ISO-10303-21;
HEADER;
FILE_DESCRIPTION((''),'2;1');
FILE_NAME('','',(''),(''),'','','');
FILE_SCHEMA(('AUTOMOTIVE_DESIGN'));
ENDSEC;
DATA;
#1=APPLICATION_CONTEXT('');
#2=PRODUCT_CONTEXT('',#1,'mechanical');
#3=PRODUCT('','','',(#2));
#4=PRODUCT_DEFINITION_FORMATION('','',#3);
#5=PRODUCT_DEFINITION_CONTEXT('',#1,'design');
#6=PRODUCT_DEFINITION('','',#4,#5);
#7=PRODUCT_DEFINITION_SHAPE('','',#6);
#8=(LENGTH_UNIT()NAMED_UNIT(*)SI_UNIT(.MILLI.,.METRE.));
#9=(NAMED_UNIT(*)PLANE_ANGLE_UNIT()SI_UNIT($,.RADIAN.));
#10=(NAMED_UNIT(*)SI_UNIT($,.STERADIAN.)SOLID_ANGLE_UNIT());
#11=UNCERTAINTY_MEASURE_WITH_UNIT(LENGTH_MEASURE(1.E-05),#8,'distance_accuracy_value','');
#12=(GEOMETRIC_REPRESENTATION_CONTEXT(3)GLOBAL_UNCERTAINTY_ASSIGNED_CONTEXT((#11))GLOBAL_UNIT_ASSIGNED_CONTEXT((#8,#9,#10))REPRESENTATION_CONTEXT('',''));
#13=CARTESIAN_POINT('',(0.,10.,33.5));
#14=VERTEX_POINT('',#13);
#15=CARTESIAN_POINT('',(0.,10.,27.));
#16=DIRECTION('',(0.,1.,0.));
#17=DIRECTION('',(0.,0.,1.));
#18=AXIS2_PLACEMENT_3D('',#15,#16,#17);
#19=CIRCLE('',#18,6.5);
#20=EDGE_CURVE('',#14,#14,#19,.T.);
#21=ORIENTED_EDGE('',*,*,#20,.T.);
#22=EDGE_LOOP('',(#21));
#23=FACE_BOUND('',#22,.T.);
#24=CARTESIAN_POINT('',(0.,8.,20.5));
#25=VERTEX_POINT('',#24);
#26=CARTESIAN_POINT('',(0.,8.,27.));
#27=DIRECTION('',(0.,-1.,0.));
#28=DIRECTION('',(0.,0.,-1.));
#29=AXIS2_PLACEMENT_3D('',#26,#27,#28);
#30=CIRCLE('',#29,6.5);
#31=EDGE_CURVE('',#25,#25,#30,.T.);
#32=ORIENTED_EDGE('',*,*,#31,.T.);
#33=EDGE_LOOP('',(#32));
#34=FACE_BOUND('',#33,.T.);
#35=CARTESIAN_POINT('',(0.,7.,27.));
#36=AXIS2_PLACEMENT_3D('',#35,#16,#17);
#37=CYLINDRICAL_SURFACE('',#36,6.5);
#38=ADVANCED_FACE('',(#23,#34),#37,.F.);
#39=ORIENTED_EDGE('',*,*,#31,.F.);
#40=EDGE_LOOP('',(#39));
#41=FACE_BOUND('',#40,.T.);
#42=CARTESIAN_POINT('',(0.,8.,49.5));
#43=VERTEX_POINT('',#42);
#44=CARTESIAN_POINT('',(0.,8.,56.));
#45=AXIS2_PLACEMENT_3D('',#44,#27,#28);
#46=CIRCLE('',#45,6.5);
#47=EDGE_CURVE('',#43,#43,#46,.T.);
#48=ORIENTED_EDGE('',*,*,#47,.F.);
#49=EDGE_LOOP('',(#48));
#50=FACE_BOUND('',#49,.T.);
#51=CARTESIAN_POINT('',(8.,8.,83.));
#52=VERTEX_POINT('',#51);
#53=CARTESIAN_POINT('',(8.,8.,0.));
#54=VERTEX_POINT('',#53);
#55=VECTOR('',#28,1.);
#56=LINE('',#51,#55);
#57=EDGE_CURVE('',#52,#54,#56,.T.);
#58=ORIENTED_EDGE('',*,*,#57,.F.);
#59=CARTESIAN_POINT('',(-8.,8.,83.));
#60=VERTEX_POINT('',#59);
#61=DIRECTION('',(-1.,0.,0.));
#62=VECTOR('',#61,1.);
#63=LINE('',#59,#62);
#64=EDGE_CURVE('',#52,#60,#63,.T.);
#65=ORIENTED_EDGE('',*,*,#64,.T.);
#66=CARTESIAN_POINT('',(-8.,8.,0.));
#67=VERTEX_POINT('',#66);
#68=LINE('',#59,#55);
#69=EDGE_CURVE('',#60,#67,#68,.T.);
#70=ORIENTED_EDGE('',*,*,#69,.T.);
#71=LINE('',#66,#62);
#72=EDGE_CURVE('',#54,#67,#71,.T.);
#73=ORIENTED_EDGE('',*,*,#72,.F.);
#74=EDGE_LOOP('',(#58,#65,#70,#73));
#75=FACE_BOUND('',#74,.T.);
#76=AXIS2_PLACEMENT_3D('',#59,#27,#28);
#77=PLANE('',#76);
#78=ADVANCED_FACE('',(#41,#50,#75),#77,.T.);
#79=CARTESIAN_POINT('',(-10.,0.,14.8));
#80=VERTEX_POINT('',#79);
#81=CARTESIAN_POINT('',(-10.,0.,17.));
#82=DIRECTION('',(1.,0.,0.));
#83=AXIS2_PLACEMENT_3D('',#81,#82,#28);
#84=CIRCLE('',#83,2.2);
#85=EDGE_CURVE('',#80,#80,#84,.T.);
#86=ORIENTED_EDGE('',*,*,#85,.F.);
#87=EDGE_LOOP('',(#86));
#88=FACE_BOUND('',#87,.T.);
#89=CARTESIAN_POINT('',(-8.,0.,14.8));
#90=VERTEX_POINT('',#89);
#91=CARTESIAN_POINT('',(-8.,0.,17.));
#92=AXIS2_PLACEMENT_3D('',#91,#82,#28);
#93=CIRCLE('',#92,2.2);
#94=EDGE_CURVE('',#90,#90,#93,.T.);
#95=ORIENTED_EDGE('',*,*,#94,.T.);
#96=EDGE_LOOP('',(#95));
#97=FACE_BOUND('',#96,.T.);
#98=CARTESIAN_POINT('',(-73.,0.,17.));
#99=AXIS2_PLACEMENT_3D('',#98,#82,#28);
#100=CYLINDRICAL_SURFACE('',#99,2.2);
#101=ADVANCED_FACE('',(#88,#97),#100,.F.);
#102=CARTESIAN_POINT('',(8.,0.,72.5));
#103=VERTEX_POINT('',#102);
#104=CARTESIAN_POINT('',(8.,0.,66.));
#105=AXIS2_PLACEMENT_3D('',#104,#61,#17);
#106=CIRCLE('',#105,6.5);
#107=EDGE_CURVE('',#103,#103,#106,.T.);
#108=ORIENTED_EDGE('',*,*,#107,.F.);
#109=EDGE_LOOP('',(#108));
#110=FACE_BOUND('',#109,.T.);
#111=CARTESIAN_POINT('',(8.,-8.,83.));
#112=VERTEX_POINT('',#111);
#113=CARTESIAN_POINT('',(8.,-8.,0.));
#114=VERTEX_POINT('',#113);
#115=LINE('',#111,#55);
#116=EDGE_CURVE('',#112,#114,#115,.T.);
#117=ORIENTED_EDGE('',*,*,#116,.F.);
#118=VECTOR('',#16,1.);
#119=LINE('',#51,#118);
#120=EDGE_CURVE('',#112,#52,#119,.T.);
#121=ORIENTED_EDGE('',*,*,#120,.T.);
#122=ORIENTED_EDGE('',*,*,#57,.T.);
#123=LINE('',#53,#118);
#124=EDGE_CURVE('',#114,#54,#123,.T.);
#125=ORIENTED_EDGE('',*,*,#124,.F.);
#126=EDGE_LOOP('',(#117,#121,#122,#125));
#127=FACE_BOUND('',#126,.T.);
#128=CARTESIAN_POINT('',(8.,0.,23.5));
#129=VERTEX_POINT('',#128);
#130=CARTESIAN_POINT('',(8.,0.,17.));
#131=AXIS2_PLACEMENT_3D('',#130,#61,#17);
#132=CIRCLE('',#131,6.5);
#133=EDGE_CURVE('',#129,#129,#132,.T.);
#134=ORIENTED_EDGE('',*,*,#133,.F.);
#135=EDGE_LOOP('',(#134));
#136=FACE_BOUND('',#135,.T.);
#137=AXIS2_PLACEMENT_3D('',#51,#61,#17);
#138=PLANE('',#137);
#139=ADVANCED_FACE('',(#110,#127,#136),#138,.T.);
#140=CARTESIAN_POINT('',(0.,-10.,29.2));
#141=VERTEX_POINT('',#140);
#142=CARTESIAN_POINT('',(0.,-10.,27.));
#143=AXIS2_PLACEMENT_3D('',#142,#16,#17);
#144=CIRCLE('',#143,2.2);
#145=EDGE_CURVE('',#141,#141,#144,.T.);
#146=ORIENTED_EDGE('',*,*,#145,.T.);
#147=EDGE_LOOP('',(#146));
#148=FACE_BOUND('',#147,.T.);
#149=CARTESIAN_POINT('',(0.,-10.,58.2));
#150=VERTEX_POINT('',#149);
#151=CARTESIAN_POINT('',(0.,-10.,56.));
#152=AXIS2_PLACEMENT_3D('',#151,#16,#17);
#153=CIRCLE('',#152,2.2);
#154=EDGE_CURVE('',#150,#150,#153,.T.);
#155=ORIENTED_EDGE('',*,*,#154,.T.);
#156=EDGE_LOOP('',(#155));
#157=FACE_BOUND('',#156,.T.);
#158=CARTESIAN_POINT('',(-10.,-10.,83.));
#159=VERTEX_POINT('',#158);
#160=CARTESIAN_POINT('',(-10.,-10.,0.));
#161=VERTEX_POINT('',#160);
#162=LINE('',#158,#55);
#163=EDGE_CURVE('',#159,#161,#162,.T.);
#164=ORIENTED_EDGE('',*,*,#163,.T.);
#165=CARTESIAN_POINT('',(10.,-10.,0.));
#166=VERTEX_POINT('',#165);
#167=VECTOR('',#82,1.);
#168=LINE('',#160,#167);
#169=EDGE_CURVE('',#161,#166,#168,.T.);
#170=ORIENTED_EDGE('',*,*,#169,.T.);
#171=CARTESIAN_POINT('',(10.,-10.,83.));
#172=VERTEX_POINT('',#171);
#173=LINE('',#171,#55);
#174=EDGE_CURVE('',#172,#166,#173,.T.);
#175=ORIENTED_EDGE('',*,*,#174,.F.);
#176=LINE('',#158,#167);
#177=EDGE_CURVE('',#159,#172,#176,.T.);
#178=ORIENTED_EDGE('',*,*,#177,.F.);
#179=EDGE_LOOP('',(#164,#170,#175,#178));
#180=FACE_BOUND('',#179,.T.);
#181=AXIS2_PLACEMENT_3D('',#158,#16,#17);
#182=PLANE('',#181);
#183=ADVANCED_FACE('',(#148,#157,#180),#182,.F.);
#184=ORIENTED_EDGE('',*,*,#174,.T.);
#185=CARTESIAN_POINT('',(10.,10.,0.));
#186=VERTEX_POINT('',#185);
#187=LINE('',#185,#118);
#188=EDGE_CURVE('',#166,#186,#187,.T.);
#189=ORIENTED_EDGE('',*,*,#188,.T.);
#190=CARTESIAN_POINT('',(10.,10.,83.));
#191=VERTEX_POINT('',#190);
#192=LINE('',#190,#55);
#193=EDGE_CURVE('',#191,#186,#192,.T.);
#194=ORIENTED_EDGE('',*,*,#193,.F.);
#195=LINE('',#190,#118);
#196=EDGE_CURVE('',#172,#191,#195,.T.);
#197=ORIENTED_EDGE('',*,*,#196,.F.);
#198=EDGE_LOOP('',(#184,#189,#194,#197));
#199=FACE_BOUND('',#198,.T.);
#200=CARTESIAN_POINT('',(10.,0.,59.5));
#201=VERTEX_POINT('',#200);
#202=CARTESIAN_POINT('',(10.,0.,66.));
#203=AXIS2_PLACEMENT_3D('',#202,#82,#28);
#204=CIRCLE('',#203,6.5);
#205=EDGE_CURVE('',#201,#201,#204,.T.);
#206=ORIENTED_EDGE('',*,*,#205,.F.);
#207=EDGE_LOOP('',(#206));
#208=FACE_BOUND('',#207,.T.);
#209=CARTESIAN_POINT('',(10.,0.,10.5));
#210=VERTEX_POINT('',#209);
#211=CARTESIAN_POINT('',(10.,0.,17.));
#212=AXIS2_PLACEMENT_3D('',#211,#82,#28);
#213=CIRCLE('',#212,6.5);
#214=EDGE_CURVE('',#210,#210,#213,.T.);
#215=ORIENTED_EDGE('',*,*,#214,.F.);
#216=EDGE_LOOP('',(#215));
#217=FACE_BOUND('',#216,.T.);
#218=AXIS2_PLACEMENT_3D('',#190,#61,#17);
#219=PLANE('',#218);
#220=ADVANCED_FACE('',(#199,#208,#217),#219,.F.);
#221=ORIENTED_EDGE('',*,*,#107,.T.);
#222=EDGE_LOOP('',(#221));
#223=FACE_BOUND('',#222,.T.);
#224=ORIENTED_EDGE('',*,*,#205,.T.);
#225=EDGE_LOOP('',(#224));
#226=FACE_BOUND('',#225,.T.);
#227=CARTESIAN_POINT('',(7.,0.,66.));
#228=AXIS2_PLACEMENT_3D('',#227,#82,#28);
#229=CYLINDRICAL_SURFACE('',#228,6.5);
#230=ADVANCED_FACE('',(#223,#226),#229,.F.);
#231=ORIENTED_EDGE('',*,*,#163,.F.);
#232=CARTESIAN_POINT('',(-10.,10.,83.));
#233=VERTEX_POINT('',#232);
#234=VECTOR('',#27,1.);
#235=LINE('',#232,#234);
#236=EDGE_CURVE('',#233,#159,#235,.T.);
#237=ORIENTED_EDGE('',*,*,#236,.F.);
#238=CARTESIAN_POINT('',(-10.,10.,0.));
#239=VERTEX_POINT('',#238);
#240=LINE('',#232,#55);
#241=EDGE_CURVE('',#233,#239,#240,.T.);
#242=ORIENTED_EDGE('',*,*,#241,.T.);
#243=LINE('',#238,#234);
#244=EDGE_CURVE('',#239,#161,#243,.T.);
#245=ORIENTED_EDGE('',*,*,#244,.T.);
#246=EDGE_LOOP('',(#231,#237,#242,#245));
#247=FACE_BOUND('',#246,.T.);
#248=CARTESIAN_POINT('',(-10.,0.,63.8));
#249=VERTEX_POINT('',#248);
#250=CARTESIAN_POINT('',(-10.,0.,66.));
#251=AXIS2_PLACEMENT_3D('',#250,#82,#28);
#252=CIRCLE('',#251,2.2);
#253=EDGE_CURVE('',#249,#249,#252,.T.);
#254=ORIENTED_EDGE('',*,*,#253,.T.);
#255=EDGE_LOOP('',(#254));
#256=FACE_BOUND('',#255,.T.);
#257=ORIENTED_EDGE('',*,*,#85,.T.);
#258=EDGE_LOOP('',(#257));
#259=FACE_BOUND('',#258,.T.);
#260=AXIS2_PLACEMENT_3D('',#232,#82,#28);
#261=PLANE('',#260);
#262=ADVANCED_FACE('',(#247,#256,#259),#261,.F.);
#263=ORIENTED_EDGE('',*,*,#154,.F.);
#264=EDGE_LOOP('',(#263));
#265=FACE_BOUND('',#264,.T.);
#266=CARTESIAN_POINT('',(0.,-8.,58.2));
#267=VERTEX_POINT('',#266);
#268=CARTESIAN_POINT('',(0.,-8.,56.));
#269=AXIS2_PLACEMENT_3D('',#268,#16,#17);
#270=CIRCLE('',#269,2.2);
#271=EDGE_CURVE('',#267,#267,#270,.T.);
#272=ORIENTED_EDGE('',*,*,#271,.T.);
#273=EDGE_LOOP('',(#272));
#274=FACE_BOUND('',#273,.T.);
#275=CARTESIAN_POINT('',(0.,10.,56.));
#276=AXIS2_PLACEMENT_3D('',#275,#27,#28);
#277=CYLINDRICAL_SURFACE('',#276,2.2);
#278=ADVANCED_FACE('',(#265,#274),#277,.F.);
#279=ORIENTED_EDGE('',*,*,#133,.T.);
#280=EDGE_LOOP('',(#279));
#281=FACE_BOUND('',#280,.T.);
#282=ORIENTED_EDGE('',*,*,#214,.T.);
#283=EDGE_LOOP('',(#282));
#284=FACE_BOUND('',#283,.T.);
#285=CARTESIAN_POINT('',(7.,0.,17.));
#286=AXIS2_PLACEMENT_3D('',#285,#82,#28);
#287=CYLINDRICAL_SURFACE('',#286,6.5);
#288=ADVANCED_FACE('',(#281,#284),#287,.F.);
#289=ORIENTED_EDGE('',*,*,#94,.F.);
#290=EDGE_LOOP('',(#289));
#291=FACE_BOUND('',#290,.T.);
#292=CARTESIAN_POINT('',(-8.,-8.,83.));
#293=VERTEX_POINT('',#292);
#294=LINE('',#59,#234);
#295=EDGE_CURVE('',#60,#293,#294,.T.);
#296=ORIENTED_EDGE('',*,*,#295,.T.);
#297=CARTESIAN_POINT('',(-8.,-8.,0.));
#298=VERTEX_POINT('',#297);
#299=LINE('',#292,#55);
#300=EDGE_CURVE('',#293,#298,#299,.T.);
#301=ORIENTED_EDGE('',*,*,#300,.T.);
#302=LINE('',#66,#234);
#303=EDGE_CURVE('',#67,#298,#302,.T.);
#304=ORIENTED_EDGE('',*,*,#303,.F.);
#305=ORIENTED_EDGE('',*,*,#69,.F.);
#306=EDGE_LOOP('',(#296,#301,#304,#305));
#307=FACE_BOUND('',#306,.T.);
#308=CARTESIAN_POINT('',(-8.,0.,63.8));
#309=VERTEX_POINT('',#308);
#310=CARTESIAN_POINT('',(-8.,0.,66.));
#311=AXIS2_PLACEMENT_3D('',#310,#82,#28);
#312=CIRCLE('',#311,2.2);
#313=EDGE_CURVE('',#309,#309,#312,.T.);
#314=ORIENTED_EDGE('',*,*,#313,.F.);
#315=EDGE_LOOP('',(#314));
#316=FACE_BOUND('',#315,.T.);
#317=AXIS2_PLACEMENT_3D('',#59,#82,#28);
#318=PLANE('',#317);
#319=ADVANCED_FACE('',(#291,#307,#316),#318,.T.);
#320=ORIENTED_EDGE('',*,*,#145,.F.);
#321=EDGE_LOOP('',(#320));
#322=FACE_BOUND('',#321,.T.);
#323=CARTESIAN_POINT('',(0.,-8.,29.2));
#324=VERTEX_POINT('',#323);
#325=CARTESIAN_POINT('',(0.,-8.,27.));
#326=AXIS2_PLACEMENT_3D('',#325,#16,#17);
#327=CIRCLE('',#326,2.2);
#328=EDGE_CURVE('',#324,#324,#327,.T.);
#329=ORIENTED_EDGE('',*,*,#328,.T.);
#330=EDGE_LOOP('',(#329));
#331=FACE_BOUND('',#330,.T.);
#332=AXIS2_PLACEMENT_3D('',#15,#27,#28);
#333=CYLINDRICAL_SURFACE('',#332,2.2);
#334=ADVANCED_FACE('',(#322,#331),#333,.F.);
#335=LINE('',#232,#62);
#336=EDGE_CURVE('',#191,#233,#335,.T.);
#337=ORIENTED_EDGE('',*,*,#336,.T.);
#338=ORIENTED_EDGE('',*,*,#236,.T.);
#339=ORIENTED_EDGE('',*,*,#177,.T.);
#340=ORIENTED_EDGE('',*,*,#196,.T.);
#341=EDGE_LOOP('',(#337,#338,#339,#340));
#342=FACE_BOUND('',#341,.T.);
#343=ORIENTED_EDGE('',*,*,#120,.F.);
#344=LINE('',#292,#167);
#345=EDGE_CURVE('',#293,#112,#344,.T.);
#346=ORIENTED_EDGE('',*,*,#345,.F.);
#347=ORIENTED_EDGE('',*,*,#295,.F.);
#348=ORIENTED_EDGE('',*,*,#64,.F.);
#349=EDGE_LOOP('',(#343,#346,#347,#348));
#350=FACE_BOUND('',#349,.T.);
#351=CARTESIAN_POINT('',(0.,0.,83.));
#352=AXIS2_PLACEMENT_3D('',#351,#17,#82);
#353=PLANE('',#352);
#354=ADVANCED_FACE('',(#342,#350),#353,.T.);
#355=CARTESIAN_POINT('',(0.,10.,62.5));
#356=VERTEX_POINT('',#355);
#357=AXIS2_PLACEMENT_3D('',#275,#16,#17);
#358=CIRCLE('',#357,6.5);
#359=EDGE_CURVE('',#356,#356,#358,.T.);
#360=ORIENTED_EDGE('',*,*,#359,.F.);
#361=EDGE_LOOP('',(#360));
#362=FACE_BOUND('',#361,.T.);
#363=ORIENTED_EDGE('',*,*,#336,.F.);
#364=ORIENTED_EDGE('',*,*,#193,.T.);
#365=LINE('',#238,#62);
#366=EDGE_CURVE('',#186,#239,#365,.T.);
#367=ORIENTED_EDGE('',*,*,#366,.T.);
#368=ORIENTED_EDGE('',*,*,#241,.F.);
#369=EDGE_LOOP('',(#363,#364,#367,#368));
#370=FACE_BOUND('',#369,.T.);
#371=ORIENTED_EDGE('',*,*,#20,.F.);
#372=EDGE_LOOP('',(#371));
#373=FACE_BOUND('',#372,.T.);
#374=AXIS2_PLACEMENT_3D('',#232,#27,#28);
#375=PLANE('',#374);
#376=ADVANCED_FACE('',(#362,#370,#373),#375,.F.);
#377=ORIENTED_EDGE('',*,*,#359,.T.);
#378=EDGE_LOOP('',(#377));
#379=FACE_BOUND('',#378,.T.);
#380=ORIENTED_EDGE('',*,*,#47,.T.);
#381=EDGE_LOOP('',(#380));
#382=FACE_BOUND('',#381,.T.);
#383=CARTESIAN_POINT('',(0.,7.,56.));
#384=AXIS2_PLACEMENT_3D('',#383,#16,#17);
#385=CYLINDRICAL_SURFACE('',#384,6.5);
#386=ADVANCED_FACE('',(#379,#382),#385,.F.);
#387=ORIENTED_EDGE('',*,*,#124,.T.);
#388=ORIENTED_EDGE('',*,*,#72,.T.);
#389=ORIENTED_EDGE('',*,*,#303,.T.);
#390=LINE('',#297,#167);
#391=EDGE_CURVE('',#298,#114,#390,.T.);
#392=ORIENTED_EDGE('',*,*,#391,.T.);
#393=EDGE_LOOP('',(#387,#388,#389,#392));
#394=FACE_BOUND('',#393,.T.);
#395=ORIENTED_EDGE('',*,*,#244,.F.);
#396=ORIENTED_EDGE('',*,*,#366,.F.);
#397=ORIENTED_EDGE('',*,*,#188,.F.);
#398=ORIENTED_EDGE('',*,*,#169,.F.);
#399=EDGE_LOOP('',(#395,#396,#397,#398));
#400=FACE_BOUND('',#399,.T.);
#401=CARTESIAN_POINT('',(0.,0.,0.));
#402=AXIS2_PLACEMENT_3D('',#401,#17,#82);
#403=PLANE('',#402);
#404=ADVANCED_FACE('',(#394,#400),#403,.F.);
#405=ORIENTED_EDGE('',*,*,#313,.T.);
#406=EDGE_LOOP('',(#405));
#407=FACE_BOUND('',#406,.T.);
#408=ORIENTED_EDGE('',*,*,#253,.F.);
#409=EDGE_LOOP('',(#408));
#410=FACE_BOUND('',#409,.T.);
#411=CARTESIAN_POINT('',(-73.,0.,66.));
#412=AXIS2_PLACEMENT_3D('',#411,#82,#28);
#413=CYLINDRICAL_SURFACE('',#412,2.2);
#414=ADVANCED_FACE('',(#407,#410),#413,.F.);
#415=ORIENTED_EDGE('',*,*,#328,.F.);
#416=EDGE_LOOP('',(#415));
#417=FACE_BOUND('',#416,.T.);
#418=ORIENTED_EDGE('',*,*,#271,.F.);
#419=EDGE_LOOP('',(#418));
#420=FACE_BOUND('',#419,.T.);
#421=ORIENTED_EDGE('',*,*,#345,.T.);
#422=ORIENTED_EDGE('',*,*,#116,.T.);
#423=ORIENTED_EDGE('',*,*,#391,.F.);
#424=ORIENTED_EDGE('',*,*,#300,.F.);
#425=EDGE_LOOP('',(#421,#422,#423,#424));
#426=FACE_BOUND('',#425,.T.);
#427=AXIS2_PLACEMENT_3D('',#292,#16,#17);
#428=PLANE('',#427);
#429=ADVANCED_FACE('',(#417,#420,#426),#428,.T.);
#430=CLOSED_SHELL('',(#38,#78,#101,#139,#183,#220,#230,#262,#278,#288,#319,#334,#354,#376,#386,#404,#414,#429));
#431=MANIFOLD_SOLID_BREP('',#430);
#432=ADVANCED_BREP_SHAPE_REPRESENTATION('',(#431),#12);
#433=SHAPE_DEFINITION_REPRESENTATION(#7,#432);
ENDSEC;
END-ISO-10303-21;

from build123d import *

# Parameters (mm, degrees)
SKETCH_1_W               = 20
SKETCH_1_H               = 20
SKETCH_1_W_2             = 16
SKETCH_1_H_2             = 16
EXTRUDE_1_DEPTH          = 83
SKETCH_2_R               = 2.2
CUT_EXTRUDE_1_DEPTH      = 83
SKETCH_3_R               = 6.5
CUT_EXTRUDE_2_DEPTH      = 3
SKETCH_4_R               = 2.2
CUT_EXTRUDE_3_DEPTH      = 1
CUT_EXTRUDE_3_DEPTH_BACK = 21
SKETCH_5_R               = 6.5
CUT_EXTRUDE_4_DEPTH      = 3


with BuildPart() as part:
    # ｽｹｯﾁ1 → ﾎﾞｽ - 押し出し1 (new body)
    with BuildSketch(Plane.XY):
        Rectangle(SKETCH_1_W, SKETCH_1_H)
        Rectangle(SKETCH_1_W_2, SKETCH_1_H_2, mode=Mode.SUBTRACT)
    extrude(amount=EXTRUDE_1_DEPTH)

    # ｽｹｯﾁ2 → ｶｯﾄ - 押し出し1 (cut)
    with BuildSketch(Plane(origin=(10, 0, 0), x_dir=(0, 0, -1), z_dir=(1, 0, 0))):
        with Locations((-66, 0)):
            Circle(SKETCH_2_R)
        with Locations((-17, 0)):
            Circle(SKETCH_2_R)
    extrude(amount=-CUT_EXTRUDE_1_DEPTH, mode=Mode.SUBTRACT)

    # ｽｹｯﾁ3 → ｶｯﾄ - 押し出し2 (cut)
    with BuildSketch(Plane(origin=(10, 0, 0), x_dir=(0, 0, -1), z_dir=(1, 0, 0))):
        with Locations((-66, 0)):
            Circle(SKETCH_3_R)
        with Locations((-17, 0)):
            Circle(SKETCH_3_R)
    extrude(amount=-CUT_EXTRUDE_2_DEPTH, mode=Mode.SUBTRACT)

    # ｽｹｯﾁ4 → ｶｯﾄ - 押し出し3 (cut, two sides)
    with BuildSketch(Plane.XZ.offset(10)) as cut_extrude_3_sk:
        with Locations((0, 56)):
            Circle(SKETCH_4_R)
        with Locations((0, 27)):
            Circle(SKETCH_4_R)
    extrude(amount=CUT_EXTRUDE_3_DEPTH, mode=Mode.SUBTRACT)
    extrude(cut_extrude_3_sk.sketch, amount=-CUT_EXTRUDE_3_DEPTH_BACK, mode=Mode.SUBTRACT)

    # ｽｹｯﾁ5 → ｶｯﾄ - 押し出し4 (cut)
    with BuildSketch(Plane(origin=(0, 10, 0), x_dir=(1, 0, 0), z_dir=(0, 1, 0))):
        with Locations((0, -56)):
            Circle(SKETCH_5_R)
        with Locations((0, -27)):
            Circle(SKETCH_5_R)
    extrude(amount=-CUT_EXTRUDE_4_DEPTH, mode=Mode.SUBTRACT)


solid = part.part
